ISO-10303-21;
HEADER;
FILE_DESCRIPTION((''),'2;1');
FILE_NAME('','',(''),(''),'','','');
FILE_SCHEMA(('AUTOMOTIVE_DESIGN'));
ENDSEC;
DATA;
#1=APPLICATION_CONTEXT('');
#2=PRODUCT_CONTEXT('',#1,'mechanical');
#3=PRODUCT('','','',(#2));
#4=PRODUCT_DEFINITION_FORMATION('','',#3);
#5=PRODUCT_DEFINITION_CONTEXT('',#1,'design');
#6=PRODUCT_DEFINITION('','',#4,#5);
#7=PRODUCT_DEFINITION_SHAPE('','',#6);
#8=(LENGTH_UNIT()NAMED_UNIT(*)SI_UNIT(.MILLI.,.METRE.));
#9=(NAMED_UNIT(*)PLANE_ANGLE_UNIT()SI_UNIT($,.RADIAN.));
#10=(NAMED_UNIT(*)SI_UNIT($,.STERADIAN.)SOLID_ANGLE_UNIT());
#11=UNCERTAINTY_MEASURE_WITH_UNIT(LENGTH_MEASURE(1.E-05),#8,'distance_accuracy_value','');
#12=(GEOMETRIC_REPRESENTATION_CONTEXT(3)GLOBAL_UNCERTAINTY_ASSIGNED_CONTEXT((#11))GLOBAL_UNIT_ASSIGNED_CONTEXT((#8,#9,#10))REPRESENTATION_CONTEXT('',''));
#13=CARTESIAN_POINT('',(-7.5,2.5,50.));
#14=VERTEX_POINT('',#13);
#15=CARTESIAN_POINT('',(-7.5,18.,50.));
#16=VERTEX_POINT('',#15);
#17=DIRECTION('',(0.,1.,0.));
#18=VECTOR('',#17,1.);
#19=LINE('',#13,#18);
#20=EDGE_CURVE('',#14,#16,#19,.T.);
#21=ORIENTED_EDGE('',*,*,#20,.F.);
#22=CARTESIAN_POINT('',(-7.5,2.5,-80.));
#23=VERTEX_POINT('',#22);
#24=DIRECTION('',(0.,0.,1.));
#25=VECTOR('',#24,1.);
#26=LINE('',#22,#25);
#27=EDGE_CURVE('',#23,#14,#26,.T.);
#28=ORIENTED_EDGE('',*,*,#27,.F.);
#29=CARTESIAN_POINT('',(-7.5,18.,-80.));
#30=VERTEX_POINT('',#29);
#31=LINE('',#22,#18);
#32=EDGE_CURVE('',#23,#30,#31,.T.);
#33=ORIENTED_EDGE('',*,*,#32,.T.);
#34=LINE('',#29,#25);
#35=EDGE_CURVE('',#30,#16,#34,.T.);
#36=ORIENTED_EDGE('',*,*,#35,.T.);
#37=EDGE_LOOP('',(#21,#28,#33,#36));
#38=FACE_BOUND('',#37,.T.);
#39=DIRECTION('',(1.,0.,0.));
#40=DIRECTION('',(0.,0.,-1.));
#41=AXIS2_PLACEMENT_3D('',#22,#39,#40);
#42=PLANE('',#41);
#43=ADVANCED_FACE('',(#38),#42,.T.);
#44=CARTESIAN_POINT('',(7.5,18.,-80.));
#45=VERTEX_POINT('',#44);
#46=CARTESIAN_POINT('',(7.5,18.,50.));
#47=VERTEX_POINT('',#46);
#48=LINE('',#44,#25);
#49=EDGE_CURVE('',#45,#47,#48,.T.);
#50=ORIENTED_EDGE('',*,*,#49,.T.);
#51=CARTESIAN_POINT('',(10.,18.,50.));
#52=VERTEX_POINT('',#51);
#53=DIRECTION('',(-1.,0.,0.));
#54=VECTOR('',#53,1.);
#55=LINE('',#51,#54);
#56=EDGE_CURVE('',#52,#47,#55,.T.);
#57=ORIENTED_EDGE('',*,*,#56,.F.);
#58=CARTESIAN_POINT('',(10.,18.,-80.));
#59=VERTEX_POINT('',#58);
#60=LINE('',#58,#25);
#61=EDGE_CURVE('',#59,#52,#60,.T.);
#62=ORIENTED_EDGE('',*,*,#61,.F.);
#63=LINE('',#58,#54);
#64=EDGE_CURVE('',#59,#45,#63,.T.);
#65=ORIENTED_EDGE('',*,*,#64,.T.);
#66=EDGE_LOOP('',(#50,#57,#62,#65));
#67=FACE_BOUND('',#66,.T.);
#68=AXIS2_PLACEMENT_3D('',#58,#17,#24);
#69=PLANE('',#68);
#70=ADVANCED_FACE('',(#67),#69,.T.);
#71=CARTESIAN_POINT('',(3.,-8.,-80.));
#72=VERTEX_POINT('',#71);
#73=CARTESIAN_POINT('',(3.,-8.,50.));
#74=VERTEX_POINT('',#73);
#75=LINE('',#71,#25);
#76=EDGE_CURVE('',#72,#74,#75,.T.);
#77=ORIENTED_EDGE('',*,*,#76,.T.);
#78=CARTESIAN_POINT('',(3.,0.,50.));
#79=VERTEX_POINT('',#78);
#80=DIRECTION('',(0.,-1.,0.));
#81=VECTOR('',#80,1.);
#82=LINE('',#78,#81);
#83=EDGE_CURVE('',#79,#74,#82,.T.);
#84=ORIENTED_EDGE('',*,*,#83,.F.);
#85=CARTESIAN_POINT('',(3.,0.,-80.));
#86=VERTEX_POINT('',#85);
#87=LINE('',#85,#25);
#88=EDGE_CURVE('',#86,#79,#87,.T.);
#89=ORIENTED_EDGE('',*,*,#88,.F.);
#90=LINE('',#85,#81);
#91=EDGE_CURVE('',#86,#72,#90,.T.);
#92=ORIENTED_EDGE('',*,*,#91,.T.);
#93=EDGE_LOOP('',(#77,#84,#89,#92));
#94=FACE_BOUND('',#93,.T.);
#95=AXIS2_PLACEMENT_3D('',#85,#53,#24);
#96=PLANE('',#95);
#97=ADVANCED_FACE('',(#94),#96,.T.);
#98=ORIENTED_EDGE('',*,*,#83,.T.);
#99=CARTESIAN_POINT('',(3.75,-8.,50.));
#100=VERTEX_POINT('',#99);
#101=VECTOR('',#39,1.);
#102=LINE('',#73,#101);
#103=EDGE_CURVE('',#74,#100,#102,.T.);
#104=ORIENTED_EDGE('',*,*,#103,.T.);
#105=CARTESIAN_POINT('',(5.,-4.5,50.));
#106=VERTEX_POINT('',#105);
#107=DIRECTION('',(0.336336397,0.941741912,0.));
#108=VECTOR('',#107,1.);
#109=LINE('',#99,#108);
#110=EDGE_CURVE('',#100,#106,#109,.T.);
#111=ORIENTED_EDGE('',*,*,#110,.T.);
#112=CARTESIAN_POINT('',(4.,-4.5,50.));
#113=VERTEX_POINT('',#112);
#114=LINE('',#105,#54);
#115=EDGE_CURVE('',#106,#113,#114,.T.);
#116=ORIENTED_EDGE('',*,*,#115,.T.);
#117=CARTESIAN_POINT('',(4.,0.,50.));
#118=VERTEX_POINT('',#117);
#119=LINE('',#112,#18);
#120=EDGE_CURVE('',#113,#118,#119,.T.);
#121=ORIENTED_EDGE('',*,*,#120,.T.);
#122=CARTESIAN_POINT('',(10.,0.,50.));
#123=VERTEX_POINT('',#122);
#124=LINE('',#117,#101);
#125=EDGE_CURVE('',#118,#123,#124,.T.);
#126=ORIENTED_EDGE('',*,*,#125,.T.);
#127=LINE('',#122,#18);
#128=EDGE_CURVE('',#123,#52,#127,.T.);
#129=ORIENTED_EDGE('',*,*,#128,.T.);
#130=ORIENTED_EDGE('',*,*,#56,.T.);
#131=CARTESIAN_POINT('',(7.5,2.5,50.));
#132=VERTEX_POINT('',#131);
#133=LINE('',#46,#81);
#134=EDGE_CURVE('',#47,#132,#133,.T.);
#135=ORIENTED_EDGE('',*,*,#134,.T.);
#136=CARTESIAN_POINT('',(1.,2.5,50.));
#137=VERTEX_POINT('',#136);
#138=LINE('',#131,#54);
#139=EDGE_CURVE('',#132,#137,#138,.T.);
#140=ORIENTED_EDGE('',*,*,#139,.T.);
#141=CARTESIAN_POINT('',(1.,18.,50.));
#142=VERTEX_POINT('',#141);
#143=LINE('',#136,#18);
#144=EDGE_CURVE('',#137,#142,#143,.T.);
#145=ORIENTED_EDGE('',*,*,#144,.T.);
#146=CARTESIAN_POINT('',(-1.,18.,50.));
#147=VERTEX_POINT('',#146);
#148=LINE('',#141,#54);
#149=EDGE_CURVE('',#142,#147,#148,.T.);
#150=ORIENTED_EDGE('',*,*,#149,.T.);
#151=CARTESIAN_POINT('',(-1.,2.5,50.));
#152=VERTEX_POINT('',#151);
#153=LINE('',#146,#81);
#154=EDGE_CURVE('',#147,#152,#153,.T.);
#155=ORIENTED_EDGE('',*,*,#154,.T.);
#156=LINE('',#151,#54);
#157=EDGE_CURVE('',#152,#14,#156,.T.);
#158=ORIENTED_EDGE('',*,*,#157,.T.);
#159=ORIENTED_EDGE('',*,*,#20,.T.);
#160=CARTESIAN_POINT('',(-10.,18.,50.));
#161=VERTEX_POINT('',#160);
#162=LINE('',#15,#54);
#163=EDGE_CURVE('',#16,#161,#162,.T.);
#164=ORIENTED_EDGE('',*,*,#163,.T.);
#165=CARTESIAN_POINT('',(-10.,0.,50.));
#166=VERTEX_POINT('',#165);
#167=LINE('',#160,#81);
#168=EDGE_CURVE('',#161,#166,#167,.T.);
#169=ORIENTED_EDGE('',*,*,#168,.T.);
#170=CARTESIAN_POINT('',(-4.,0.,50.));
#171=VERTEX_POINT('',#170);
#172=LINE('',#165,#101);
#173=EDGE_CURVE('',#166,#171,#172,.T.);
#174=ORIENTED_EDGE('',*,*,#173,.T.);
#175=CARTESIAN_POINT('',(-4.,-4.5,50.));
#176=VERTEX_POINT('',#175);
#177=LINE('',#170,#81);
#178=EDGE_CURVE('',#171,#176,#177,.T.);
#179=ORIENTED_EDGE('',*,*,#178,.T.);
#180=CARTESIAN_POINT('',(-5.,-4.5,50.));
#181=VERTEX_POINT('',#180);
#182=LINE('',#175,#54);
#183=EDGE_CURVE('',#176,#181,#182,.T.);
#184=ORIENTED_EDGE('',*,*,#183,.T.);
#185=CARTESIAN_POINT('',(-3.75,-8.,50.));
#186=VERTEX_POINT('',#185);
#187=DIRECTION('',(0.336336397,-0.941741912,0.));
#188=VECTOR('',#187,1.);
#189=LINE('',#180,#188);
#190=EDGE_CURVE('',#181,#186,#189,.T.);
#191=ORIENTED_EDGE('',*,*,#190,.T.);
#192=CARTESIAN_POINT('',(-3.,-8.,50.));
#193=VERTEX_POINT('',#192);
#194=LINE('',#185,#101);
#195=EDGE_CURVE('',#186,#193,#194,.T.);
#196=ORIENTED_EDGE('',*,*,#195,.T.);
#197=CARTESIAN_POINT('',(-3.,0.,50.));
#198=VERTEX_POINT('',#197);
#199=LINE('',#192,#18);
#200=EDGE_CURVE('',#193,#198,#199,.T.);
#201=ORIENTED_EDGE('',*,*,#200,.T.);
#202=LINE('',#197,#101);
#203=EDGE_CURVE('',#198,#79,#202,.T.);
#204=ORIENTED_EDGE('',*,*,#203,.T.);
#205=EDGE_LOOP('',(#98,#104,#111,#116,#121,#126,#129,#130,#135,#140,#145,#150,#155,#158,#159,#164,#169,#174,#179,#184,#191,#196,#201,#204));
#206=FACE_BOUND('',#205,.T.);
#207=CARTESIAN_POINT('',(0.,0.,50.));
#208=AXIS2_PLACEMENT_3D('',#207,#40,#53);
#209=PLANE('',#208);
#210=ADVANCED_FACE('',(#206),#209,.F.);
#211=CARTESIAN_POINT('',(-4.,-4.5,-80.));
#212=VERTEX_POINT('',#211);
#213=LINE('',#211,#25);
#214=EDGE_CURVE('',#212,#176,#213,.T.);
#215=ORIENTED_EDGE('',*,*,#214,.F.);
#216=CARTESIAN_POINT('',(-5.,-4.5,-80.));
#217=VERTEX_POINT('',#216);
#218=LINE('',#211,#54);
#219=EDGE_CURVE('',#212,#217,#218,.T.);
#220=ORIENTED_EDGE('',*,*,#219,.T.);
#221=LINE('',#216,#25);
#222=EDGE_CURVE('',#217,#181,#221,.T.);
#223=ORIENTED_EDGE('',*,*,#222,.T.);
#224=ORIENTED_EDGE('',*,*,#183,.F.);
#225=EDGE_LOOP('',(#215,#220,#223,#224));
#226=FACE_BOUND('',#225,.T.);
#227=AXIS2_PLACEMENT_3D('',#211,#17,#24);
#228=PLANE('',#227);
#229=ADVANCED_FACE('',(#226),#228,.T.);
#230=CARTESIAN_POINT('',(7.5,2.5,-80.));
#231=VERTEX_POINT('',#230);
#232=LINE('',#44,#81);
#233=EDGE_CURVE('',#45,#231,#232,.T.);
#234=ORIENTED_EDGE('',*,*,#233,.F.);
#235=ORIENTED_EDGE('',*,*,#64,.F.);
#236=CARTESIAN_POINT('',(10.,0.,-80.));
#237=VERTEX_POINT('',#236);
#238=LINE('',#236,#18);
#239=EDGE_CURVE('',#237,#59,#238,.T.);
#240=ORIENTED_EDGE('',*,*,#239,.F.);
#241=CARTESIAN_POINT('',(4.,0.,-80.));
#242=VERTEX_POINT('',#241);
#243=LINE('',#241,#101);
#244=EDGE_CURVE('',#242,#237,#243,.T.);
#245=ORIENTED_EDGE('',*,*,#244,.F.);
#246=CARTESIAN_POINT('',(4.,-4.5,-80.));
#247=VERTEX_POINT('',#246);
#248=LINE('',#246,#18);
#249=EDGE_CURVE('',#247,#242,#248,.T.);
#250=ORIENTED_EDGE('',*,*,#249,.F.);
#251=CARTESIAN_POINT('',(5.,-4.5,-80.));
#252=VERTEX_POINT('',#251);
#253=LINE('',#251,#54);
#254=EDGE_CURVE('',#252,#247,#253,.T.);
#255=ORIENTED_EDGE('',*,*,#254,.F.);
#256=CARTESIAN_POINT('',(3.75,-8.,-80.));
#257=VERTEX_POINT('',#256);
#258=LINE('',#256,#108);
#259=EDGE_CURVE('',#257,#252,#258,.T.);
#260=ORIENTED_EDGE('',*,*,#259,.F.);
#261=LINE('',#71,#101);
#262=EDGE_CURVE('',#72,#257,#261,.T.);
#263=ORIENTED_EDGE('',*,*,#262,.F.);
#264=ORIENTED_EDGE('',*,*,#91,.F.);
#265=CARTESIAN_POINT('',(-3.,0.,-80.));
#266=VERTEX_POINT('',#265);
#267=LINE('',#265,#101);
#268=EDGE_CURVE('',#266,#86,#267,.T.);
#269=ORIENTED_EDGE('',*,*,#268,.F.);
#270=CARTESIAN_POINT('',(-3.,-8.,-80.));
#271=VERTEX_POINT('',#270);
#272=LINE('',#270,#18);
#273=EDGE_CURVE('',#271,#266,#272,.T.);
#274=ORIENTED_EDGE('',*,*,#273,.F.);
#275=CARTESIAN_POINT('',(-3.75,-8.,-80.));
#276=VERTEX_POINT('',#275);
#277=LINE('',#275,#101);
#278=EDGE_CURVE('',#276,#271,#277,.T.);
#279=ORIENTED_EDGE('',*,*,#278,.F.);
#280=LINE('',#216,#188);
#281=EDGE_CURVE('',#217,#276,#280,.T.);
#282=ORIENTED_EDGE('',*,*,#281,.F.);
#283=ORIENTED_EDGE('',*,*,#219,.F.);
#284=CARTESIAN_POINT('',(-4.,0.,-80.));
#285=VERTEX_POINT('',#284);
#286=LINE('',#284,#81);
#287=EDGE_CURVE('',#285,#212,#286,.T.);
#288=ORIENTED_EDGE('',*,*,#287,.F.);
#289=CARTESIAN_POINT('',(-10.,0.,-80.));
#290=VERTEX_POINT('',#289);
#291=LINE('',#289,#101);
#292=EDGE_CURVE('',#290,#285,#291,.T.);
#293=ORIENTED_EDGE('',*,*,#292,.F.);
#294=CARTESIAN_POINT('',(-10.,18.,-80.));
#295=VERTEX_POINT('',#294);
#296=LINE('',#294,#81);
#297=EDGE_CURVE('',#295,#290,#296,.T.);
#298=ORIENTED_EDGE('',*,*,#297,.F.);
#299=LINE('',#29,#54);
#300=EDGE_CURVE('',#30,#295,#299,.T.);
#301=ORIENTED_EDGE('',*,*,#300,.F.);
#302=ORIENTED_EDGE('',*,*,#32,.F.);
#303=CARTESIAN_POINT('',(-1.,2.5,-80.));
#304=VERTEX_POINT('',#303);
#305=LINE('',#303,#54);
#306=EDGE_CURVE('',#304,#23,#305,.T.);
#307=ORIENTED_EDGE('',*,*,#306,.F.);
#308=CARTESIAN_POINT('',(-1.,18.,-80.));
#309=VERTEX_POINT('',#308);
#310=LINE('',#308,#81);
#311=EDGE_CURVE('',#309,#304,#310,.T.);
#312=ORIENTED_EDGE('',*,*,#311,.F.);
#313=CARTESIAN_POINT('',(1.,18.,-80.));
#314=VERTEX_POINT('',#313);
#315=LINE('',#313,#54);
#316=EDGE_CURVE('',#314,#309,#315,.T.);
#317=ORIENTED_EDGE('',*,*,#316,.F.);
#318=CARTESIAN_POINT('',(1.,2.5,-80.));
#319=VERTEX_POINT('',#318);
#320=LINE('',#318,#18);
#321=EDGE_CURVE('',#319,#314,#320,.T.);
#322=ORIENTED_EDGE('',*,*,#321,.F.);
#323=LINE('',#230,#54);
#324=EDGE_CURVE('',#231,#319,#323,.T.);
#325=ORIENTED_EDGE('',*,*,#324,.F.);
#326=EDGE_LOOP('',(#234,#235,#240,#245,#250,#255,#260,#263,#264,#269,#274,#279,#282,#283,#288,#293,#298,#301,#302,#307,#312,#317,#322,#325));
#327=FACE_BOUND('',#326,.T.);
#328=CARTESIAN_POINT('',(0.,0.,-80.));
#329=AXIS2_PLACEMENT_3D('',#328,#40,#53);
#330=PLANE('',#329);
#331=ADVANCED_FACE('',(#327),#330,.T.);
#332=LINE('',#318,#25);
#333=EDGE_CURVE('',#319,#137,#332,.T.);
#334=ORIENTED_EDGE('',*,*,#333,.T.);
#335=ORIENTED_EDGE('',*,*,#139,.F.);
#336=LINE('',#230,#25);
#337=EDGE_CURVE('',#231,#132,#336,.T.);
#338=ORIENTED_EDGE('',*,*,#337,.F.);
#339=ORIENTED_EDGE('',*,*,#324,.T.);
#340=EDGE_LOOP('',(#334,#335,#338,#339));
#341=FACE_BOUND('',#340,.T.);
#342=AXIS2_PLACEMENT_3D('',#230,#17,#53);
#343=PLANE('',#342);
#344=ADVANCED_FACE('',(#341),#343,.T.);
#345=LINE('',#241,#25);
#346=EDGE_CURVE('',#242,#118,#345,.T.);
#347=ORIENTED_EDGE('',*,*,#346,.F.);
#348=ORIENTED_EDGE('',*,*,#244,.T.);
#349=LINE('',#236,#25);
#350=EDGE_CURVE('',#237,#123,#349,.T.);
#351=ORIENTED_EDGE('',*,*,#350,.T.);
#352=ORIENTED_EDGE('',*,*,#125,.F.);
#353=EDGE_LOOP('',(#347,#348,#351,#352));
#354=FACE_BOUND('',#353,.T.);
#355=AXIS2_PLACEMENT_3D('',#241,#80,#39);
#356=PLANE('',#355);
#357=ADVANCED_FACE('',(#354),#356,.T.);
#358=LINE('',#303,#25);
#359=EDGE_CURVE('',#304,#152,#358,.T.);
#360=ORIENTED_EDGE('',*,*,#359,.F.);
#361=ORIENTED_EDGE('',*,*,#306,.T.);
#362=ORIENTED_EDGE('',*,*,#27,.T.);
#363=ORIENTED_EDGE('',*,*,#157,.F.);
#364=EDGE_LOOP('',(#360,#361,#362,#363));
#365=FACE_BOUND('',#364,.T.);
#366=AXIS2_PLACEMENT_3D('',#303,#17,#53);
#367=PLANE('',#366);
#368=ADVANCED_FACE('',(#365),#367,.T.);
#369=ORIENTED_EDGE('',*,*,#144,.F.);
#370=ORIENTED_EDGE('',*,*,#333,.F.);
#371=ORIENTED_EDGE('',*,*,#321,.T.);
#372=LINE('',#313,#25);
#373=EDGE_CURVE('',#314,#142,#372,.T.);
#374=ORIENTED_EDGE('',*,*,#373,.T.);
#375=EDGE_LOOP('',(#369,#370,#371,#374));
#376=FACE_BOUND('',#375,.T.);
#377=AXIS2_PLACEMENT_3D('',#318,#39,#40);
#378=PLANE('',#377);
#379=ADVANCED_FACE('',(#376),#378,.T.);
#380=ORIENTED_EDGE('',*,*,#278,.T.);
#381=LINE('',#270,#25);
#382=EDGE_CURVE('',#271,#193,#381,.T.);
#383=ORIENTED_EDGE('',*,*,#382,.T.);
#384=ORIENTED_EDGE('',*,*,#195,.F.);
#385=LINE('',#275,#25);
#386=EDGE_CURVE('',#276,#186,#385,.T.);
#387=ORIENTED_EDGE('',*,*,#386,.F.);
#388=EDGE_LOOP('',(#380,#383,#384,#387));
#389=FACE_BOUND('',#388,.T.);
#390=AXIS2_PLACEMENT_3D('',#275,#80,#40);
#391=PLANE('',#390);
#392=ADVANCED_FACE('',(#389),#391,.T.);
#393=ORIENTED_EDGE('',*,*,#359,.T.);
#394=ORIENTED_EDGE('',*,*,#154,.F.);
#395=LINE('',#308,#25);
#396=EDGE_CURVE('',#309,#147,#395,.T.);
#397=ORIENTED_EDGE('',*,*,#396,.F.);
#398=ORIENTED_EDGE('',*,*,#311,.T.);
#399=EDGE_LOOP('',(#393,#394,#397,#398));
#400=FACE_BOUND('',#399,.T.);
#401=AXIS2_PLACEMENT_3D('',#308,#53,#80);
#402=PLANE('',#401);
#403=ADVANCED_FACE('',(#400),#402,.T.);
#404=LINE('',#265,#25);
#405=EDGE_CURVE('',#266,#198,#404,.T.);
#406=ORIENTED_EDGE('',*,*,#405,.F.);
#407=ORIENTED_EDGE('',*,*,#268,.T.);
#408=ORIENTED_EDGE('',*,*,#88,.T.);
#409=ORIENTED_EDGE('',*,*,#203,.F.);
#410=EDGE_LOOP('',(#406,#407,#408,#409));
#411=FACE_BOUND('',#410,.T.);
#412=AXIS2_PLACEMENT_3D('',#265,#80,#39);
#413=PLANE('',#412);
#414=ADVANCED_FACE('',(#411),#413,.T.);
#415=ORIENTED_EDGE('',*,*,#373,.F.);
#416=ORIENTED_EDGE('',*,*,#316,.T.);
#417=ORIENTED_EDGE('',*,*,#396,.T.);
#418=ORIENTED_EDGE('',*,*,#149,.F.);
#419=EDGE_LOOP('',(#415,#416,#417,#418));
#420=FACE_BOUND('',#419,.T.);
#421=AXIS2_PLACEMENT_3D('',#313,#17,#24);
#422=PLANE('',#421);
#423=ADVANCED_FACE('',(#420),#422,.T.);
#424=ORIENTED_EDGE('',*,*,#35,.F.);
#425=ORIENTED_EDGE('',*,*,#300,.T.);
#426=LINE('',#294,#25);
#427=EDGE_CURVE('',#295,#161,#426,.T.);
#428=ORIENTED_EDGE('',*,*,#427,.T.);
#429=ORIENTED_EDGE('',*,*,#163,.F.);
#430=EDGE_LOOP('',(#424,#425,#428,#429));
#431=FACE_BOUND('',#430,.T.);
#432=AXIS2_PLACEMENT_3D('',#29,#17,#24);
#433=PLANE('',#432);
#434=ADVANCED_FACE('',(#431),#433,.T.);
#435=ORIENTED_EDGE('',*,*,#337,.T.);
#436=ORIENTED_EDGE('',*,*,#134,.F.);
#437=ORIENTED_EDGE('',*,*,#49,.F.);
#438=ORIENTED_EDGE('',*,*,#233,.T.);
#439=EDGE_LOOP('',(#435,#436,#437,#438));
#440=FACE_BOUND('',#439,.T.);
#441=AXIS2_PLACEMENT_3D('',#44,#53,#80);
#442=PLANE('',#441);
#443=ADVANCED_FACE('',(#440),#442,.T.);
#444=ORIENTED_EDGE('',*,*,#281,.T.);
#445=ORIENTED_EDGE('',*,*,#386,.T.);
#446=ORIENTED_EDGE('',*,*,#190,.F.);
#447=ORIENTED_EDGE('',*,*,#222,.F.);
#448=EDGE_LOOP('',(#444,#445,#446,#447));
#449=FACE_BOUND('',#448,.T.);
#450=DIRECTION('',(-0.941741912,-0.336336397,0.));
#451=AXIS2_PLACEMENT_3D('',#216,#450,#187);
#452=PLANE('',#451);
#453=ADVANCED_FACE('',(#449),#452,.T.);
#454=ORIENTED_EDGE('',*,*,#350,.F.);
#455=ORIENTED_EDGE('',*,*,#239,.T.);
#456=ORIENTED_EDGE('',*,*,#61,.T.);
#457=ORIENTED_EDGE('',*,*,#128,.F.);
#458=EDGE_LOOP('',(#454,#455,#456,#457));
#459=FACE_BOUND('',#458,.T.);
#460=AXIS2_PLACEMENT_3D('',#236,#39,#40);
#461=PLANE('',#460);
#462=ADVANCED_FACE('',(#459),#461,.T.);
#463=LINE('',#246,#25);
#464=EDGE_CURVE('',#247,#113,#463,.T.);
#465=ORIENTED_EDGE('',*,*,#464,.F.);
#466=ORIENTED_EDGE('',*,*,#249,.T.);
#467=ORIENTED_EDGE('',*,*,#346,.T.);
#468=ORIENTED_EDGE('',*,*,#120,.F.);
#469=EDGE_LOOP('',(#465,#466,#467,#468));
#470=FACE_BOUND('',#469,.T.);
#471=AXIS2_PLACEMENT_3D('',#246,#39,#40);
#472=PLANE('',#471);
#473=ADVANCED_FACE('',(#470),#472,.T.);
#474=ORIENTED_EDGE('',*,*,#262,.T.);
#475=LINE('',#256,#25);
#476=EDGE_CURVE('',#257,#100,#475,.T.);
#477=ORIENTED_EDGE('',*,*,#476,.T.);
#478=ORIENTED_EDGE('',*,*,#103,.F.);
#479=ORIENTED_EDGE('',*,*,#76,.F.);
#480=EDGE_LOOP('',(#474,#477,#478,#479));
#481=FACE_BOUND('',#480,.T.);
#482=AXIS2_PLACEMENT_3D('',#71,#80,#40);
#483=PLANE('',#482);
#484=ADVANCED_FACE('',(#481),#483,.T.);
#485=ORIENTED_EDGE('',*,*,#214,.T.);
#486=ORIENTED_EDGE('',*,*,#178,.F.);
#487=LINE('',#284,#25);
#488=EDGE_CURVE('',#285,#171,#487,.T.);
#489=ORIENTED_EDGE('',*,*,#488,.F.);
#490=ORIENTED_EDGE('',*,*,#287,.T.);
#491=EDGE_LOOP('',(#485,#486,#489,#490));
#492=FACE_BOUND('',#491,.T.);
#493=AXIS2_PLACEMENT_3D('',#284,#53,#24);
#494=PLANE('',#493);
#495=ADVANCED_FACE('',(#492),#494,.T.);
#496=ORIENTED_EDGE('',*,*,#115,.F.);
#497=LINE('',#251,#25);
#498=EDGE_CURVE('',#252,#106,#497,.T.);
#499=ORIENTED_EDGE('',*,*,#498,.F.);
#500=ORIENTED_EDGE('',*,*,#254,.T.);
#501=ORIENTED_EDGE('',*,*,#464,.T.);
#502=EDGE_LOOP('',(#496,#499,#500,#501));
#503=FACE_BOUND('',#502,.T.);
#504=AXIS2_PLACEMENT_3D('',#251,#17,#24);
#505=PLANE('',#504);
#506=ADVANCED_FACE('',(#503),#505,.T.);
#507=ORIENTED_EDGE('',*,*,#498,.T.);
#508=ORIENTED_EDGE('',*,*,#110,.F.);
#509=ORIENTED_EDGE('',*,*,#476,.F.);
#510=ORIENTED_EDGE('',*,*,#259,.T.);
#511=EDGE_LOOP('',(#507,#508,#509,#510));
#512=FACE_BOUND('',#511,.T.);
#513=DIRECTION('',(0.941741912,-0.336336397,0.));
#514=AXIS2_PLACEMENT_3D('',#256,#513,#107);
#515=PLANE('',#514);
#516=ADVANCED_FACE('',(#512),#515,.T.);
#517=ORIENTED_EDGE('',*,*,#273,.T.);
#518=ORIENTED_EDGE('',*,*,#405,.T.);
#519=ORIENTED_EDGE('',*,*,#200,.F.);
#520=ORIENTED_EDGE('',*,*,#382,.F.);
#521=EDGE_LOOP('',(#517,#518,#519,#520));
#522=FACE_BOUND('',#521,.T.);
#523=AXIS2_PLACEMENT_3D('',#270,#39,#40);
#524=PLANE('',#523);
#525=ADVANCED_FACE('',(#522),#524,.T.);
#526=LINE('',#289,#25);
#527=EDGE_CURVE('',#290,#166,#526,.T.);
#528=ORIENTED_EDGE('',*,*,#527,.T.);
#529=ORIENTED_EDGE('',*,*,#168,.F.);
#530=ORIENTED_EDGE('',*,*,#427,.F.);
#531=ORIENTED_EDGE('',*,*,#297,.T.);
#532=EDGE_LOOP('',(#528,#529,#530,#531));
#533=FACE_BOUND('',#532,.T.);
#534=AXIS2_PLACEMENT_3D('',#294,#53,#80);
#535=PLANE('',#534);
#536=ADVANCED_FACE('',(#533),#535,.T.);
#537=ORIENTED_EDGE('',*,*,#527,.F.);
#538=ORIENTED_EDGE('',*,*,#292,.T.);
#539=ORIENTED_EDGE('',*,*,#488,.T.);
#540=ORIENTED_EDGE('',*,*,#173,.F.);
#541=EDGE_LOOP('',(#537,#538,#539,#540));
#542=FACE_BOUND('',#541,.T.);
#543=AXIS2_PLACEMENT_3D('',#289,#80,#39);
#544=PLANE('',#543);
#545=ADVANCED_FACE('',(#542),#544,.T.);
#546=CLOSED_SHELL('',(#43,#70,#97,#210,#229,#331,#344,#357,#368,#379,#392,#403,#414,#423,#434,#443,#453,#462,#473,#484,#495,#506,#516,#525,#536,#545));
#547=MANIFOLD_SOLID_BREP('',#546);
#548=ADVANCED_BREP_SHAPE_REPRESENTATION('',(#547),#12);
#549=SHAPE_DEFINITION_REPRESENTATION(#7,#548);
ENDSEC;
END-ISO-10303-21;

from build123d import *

# Parameters (mm, degrees)
BOSS_EXTRU_1_DEPTH = 130


with BuildPart() as part:
    # Esquisse1 → Boss.-Extru.1 (new body)
    with BuildSketch(Plane.XY.offset(50)):
        Polygon((-1, 2.5), (-7.5, 2.5), (-7.5, 17.999999998), (-10, 17.999999998), (-10, 0), (-4, 0), (-4, -4.5), (-5, -4.5), (-3.75, -8), (-3, -8), (-3, 0), (3, 0), (3, -8), (3.75, -8), (5, -4.5), (4, -4.5), (4, 0), (10, 0), (10, 17.999999998), (7.5, 17.999999998), (7.5, 2.5), (1, 2.5), (1, 17.999999998), (-1, 17.999999998), align=None)
    extrude(amount=-BOSS_EXTRU_1_DEPTH)


solid = part.part
